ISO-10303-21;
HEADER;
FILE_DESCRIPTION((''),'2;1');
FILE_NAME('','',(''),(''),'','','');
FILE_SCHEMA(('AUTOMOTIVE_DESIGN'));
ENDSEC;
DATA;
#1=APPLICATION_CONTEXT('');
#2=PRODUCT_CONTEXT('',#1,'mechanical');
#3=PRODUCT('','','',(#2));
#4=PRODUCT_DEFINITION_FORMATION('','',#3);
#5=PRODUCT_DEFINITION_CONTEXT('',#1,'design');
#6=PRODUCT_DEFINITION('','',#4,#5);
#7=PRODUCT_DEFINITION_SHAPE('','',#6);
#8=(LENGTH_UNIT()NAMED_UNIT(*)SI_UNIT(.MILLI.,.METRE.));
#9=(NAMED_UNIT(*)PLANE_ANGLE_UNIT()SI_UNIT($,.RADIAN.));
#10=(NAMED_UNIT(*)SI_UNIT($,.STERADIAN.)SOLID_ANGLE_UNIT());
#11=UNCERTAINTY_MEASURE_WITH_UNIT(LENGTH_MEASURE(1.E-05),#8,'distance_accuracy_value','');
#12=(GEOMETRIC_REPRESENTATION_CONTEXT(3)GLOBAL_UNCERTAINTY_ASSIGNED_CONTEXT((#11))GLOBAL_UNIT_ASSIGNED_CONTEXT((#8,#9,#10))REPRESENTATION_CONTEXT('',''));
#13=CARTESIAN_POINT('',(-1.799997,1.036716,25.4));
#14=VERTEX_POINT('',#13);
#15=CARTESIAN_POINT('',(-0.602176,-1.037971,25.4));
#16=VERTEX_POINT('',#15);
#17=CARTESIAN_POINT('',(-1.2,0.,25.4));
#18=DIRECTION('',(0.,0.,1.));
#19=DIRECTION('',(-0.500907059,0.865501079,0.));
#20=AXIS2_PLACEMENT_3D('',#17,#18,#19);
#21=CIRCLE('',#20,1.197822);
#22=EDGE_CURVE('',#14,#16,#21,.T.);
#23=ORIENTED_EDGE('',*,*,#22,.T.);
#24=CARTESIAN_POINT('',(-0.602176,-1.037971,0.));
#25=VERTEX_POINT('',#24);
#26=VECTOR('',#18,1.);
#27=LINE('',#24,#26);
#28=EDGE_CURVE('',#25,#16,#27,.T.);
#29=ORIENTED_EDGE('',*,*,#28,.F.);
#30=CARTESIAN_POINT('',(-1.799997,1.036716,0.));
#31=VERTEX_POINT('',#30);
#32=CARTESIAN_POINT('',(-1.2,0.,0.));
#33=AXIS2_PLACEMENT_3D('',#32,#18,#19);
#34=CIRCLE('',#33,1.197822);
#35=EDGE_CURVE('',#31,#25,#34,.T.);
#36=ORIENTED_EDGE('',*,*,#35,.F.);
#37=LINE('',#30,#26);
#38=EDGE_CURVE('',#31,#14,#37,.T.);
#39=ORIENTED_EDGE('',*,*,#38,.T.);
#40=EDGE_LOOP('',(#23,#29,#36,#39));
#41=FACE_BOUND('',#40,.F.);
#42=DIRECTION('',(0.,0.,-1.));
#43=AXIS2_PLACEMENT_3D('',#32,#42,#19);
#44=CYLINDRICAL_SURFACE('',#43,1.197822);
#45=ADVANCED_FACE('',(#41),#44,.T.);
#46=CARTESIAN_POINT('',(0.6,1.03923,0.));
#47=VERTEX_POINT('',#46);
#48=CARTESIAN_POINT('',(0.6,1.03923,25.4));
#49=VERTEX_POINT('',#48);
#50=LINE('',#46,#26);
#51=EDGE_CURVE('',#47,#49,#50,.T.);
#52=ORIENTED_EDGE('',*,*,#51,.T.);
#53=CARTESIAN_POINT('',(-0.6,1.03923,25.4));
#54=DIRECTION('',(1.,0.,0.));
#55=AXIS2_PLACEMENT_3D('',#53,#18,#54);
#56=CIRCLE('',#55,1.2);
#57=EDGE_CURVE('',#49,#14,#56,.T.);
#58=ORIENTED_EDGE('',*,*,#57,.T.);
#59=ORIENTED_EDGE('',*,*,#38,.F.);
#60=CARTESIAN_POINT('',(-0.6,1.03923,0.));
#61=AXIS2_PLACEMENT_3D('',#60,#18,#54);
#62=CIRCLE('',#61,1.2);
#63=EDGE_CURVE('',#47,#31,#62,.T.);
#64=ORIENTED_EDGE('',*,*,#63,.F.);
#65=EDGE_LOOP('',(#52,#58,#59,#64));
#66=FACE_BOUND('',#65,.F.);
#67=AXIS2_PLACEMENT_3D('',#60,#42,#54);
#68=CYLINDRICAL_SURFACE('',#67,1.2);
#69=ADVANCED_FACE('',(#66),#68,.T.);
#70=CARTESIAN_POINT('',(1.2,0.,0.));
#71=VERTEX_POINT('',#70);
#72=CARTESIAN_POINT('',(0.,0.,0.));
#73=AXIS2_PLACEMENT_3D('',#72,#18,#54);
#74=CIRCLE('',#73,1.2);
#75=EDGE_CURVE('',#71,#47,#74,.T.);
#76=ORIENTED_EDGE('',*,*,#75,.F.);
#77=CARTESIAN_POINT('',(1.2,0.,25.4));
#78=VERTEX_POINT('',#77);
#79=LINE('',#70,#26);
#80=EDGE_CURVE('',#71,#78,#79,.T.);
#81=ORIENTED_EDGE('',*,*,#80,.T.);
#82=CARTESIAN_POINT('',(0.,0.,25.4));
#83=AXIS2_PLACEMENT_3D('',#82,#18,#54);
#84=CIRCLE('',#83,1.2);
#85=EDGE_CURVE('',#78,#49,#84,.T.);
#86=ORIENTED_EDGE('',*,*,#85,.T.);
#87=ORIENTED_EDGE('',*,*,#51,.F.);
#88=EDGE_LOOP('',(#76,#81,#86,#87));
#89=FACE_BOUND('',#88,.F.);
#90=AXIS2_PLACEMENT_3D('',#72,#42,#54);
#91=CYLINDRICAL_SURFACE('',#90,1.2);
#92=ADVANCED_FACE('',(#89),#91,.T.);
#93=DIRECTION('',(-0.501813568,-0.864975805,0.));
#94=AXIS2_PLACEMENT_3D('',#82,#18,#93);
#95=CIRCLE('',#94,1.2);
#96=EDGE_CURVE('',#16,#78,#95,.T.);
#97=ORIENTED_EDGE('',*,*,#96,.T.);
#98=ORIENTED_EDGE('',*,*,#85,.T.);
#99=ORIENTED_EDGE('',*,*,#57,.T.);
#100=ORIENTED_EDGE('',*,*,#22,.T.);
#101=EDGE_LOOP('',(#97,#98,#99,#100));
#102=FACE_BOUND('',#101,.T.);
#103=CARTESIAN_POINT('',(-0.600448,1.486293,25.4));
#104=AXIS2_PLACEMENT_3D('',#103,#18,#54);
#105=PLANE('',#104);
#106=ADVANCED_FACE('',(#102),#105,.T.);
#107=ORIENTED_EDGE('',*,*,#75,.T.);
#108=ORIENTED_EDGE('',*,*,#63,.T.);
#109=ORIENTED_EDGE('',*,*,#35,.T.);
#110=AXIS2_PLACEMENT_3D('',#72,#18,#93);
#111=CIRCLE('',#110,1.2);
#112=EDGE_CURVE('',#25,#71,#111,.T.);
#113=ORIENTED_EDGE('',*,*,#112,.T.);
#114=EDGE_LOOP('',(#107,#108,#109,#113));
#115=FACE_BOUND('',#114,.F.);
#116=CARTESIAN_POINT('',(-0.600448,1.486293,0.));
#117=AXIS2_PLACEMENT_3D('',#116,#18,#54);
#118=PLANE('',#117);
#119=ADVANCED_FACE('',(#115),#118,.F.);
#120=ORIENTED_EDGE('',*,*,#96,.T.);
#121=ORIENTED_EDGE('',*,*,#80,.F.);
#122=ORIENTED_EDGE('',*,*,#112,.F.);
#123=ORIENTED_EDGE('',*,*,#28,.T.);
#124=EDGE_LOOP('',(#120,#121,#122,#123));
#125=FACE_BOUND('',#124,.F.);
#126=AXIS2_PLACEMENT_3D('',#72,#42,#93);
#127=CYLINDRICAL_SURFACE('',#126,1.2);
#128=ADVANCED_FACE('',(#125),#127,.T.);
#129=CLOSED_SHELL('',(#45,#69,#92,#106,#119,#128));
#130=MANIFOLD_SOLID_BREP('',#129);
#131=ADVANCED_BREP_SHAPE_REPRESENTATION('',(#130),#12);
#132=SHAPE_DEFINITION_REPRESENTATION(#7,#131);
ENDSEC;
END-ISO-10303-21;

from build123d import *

# Parameters (mm, degrees)
F1_DEPTH = 25.4


with BuildPart() as f1:
    # F0 (on Top) → F1 (new body)
    with BuildSketch(Plane.XY):
        with BuildLine():
            ThreePointArc((-0.6021762814, 1.0379709659), (-0.0012572379, 1.1999993414), (0.6, 1.0392304845))
            ThreePointArc((0.6, 1.0392304845), (-0.6012572379, 2.2392298259), (-1.7999973656, 1.0367160102))
            ThreePointArc((-1.7999973656, 1.0367160102), (-1.2012549557, 1.1978210841), (-0.6021762814, 1.0379709659))
        make_face()
        with BuildLine():
            ThreePointArc((-1.2, 0), (-1.0398585331, 0.5989108708), (-0.6021762814, 1.0379709659))
            ThreePointArc((-0.6021762814, 1.0379709659), (-1.2012549557, 1.1978210841), (-1.7999973656, 1.0367160102))
            ThreePointArc((-1.7999973656, 1.0367160102), (-1.6386012952, 0.4381420139), (-1.2, 0))
        make_face()
        with BuildLine():
            ThreePointArc((-0.0021782585, 0), (-0.1629698239, 0.5994542004), (-0.6021762814, 1.0379709659))
            ThreePointArc((-0.6021762814, 1.0379709659), (-1.0398585331, 0.5989108708), (-1.2, 0))
            ThreePointArc((-1.2, 0), (-0.6012572379, -0.1607688569), (-0.0021789159, -0.0012549557))
            ThreePointArc((-0.0021789159, -0.0012549557), (-0.0021784228, -0.0006274779), (-0.0021782585, 0))
        make_face()
        with BuildLine():
            ThreePointArc((-0.0021789159, -0.0012549557), (0.4386012952, 0.4381420139), (0.6, 1.0392304845))
            ThreePointArc((0.6, 1.0392304845), (-0.0012572379, 1.1999993414), (-0.6021762814, 1.0379709659))
            ThreePointArc((-0.6021762814, 1.0379709659), (-0.1629698239, 0.5994542004), (-0.0021782585, 0))
            ThreePointArc((-0.0021782585, 0), (-0.0021784228, -0.0006274779), (-0.0021789159, -0.0012549557))
        make_face()
        with BuildLine():
            ThreePointArc((-0.6021762814, -1.0379709659), (0.5989108708, -1.0398585331), (1.2, 0))
            ThreePointArc((1.2, 0), (1.0392304845, 0.6), (0.6, 1.0392304845))
            ThreePointArc((0.6, 1.0392304845), (0.4386012952, 0.4381420139), (-0.0021789159, -0.0012549557))
            ThreePointArc((-0.0021789159, -0.0012549557), (-0.1632839898, -0.5999973656), (-0.6021762814, -1.0379709659))
        make_face()
        with BuildLine():
            ThreePointArc((-1.2, 0), (-1.0398585331, -0.5989108708), (-0.6021762814, -1.0379709659))
            ThreePointArc((-0.6021762814, -1.0379709659), (-0.1632839898, -0.5999973656), (-0.0021789159, -0.0012549557))
            ThreePointArc((-0.0021789159, -0.0012549557), (-0.6012572379, -0.1607688569), (-1.2, 0))
        make_face()
        with BuildLine():
            ThreePointArc((-1.7999973656, 1.0367160102), (-2.2373440574, -0.5989108708), (-0.6021762814, -1.0379709659))
            ThreePointArc((-0.6021762814, -1.0379709659), (-1.0398585331, -0.5989108708), (-1.2, 0))
            ThreePointArc((-1.2, 0), (-1.6386012952, 0.4381420139), (-1.7999973656, 1.0367160102))
        make_face()
    extrude(amount=F1_DEPTH)


solid = f1.part
